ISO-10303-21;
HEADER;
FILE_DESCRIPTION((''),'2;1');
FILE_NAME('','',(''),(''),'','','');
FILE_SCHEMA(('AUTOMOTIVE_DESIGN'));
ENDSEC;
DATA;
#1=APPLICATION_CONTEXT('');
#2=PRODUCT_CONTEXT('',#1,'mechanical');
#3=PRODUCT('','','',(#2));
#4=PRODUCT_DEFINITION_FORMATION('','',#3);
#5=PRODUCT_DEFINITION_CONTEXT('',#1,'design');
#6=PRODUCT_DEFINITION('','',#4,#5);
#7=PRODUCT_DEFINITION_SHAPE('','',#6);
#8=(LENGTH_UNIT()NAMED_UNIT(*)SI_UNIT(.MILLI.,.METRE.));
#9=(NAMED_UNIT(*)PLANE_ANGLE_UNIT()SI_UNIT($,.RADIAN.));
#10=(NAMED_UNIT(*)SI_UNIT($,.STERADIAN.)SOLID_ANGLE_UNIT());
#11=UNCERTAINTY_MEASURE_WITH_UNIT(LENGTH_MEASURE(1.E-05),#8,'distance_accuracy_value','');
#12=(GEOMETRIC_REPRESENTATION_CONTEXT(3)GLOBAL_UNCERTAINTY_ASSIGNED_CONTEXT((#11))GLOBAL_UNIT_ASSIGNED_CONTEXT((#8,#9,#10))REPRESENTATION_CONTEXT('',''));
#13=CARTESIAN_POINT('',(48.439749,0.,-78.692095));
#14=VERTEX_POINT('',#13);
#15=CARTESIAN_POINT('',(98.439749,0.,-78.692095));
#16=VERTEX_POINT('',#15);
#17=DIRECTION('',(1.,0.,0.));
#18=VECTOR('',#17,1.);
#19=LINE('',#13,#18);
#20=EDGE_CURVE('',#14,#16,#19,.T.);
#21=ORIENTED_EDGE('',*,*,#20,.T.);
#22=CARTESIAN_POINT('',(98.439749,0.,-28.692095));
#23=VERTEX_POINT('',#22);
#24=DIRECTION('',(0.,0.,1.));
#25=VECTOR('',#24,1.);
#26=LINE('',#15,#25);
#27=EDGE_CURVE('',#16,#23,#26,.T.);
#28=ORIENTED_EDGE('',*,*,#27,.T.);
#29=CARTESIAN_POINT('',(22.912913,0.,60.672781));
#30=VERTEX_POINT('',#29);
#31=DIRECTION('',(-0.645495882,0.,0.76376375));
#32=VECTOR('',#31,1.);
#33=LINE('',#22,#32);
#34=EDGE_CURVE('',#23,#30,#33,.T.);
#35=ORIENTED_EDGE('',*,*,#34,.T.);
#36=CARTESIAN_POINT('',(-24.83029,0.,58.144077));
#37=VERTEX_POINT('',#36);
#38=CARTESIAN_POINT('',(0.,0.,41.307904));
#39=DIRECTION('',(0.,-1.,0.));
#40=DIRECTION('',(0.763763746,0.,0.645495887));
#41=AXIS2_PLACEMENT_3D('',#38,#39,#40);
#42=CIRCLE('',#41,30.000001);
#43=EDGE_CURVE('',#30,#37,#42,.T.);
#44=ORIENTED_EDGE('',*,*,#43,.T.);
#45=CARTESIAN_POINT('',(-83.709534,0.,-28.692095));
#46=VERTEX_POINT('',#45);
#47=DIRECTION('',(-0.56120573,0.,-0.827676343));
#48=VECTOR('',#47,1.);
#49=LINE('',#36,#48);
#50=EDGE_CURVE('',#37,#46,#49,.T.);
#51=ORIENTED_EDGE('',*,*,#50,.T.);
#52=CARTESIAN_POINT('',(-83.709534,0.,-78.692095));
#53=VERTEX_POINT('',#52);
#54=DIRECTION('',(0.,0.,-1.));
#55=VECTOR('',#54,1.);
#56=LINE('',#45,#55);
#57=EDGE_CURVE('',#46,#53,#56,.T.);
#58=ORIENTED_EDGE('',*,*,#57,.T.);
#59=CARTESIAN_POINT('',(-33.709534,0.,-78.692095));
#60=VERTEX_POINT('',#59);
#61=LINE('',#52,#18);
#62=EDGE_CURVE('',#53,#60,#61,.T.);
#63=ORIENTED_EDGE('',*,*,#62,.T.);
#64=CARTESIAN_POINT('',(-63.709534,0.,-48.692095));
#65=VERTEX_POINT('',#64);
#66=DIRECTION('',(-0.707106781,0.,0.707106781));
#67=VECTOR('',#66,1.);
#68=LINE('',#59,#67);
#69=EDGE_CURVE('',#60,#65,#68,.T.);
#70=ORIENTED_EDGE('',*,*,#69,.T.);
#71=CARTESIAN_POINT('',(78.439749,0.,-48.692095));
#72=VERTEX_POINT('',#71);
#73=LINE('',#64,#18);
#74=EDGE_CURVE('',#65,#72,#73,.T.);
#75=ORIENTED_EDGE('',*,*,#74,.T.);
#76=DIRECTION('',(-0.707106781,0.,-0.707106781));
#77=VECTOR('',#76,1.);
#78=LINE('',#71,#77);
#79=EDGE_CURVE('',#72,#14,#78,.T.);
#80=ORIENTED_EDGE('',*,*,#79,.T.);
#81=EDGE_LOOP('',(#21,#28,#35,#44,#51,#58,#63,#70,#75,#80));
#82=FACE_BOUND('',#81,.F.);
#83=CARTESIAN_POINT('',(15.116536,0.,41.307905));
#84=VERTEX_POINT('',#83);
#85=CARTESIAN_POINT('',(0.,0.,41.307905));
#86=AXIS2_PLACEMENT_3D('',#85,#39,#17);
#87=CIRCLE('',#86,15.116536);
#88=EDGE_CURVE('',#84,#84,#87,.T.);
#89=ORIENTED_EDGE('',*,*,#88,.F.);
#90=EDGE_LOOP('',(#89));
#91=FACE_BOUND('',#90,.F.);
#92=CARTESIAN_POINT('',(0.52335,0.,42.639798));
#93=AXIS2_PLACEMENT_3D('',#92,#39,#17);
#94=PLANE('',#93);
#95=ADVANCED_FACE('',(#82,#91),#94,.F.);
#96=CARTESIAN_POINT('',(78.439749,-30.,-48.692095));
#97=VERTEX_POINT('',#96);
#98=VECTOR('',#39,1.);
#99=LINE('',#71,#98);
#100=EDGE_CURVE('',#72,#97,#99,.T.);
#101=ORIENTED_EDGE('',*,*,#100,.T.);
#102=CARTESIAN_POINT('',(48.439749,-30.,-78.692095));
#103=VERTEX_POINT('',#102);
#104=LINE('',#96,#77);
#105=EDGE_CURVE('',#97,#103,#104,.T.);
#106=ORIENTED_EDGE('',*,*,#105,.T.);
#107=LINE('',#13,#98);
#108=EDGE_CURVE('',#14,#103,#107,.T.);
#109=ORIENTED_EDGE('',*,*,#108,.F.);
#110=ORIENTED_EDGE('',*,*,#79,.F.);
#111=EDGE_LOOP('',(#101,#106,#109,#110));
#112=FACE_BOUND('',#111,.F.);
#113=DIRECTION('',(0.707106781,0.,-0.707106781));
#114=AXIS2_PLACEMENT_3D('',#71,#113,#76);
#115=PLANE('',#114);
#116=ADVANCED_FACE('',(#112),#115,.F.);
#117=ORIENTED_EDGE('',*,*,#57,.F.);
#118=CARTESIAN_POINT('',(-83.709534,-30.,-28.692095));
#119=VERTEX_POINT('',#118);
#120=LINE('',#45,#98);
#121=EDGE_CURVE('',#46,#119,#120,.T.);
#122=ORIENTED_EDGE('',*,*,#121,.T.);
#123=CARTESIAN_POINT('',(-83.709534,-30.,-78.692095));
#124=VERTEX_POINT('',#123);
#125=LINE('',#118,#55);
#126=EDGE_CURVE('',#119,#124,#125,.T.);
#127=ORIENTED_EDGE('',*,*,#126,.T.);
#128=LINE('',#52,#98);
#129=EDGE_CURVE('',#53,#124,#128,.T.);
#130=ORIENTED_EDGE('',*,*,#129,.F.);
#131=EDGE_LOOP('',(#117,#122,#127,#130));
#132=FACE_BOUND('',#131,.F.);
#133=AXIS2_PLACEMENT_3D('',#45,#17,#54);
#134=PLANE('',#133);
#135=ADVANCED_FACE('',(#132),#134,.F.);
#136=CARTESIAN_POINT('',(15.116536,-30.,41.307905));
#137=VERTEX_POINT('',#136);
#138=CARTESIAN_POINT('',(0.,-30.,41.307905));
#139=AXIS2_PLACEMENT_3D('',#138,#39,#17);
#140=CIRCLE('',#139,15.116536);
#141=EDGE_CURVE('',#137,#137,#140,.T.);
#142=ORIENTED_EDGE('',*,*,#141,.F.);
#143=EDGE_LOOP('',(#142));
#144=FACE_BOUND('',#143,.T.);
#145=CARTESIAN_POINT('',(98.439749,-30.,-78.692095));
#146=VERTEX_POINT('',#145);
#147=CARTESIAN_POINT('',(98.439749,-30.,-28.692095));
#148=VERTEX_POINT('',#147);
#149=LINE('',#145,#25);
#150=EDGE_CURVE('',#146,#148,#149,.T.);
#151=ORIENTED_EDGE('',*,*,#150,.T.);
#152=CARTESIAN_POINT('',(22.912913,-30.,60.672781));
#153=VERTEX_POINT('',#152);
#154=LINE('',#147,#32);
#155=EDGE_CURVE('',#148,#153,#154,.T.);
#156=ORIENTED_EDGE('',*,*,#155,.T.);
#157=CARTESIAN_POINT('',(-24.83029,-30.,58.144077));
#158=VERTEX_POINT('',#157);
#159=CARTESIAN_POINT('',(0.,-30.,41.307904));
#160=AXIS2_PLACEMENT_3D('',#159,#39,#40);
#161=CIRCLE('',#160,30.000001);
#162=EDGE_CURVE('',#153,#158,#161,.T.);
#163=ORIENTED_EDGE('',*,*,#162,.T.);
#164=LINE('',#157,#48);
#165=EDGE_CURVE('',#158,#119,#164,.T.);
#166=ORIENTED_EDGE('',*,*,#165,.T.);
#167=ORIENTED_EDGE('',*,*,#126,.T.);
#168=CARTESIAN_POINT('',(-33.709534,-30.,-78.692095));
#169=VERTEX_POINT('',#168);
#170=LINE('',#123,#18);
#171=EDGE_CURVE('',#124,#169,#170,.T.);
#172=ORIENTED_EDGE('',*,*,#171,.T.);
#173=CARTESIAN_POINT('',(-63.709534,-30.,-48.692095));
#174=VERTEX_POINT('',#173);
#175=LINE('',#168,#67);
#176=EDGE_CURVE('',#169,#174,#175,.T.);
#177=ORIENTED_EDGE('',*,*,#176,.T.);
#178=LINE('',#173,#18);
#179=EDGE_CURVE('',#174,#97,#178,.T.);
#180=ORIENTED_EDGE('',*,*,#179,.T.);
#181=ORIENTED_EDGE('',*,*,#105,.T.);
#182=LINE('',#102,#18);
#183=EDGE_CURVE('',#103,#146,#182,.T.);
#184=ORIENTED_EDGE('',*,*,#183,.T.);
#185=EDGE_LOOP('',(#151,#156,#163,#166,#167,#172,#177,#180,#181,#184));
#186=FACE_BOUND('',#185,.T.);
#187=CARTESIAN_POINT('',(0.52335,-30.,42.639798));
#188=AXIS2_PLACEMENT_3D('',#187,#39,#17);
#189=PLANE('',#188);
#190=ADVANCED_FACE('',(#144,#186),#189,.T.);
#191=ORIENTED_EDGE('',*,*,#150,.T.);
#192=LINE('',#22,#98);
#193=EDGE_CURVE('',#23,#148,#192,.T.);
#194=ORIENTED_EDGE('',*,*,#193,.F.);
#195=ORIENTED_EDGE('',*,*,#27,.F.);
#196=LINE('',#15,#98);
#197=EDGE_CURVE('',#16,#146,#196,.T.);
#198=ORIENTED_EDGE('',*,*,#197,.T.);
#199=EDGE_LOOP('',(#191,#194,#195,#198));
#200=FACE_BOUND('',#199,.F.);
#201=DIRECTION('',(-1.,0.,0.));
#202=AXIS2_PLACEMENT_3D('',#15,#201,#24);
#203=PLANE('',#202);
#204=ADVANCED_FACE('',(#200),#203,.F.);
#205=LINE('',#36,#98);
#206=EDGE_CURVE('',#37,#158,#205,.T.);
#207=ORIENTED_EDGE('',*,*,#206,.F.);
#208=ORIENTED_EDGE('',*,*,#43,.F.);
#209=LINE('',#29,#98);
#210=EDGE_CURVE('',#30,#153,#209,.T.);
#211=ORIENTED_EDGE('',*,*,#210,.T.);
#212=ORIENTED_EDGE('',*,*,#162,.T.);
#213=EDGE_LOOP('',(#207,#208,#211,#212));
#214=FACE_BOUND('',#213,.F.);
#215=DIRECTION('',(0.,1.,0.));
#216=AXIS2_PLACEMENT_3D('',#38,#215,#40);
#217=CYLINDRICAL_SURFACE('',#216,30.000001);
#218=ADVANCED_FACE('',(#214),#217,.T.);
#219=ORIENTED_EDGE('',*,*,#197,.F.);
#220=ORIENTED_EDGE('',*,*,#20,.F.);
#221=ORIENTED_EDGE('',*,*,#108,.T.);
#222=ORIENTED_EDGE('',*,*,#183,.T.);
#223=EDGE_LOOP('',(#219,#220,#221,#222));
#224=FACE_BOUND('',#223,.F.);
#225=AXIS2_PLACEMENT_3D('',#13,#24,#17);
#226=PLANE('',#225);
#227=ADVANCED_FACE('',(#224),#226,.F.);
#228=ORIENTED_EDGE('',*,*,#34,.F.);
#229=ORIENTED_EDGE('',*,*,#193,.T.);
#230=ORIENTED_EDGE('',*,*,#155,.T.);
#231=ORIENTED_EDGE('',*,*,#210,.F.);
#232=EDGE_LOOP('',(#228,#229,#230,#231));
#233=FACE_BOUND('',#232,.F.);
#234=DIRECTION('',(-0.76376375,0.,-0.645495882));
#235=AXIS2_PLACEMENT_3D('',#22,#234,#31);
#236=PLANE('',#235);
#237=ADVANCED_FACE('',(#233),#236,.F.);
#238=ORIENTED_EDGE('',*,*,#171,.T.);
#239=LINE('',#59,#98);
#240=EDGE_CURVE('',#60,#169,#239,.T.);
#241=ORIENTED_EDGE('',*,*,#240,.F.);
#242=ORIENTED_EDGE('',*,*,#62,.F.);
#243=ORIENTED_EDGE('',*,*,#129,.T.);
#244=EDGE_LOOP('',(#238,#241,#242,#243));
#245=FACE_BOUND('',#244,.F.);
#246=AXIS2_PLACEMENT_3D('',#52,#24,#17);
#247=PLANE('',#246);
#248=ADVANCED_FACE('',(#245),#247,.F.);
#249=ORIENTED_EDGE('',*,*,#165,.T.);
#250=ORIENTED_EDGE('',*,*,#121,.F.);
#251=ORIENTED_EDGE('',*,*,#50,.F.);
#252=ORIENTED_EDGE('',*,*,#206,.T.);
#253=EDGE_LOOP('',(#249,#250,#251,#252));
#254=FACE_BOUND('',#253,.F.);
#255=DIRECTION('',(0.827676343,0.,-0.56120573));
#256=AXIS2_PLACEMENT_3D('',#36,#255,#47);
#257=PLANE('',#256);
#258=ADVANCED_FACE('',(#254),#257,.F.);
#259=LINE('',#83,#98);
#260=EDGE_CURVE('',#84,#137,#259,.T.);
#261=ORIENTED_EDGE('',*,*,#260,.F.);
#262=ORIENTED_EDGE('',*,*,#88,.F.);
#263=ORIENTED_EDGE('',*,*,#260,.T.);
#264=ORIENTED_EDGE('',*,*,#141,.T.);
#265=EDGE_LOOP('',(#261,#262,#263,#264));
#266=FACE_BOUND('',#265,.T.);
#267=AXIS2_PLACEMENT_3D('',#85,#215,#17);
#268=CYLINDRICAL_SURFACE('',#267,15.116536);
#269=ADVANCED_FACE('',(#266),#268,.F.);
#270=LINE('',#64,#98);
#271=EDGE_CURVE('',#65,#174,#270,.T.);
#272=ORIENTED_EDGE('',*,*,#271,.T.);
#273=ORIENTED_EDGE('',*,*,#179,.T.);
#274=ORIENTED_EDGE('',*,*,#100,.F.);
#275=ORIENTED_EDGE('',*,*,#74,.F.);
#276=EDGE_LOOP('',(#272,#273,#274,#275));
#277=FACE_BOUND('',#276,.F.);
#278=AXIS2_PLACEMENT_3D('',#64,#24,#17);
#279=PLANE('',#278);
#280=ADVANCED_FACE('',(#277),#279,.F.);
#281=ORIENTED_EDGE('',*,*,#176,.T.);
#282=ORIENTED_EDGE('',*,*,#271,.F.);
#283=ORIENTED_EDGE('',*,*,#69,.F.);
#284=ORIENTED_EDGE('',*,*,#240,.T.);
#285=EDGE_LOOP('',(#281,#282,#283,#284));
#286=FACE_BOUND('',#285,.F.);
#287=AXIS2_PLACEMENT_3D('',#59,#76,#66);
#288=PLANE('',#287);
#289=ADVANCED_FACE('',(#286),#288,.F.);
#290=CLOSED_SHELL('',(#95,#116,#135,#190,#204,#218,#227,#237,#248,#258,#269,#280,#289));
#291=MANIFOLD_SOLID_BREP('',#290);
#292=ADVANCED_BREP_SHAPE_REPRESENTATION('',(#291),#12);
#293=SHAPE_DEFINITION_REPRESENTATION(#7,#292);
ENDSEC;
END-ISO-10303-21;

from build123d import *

# Parameters (mm, degrees)
F0_R     = 15.116536
F1_DEPTH = 30


with BuildPart() as f1:
    # F0 (on Front) → F1 (new body)
    with BuildSketch(Plane.XZ):
        with BuildLine():
            ThreePointArc((-24.83029, 58.144077), (-8.806, 12.62944), (30, 41.307905))
            ThreePointArc((30, 41.307905), (28.17257, 51.6184), (22.912913, 60.672781))
            ThreePointArc((22.912913, 60.672781), (-1.586717, 71.265914), (-24.83029, 58.144077))
        make_face()
        with Locations((0, 41.307905)):
            Circle(F0_R, mode=Mode.SUBTRACT)
        with BuildLine():
            ThreePointArc((22.912913, 60.672781), (28.17257, 51.6184), (30, 41.307905))
            ThreePointArc((30, 41.307905), (-8.806, 12.62944), (-24.83029, 58.144077))
            Line((-24.83029, 58.144077), (-83.709534, -28.692095))
            Line((-83.709534, -28.692095), (98.439749, -28.692095))
            Line((98.439749, -28.692095), (22.912913, 60.672781))
        make_face()
        Polygon((98.439749, -78.692095), (98.439749, -28.692095), (-83.709534, -28.692095), (-83.709534, -78.692095), (-33.709534, -78.692095), (-63.709534, -48.692095), (78.439749, -48.692095), (48.439749, -78.692095), align=None)
    extrude(amount=F1_DEPTH)


solid = f1.part
